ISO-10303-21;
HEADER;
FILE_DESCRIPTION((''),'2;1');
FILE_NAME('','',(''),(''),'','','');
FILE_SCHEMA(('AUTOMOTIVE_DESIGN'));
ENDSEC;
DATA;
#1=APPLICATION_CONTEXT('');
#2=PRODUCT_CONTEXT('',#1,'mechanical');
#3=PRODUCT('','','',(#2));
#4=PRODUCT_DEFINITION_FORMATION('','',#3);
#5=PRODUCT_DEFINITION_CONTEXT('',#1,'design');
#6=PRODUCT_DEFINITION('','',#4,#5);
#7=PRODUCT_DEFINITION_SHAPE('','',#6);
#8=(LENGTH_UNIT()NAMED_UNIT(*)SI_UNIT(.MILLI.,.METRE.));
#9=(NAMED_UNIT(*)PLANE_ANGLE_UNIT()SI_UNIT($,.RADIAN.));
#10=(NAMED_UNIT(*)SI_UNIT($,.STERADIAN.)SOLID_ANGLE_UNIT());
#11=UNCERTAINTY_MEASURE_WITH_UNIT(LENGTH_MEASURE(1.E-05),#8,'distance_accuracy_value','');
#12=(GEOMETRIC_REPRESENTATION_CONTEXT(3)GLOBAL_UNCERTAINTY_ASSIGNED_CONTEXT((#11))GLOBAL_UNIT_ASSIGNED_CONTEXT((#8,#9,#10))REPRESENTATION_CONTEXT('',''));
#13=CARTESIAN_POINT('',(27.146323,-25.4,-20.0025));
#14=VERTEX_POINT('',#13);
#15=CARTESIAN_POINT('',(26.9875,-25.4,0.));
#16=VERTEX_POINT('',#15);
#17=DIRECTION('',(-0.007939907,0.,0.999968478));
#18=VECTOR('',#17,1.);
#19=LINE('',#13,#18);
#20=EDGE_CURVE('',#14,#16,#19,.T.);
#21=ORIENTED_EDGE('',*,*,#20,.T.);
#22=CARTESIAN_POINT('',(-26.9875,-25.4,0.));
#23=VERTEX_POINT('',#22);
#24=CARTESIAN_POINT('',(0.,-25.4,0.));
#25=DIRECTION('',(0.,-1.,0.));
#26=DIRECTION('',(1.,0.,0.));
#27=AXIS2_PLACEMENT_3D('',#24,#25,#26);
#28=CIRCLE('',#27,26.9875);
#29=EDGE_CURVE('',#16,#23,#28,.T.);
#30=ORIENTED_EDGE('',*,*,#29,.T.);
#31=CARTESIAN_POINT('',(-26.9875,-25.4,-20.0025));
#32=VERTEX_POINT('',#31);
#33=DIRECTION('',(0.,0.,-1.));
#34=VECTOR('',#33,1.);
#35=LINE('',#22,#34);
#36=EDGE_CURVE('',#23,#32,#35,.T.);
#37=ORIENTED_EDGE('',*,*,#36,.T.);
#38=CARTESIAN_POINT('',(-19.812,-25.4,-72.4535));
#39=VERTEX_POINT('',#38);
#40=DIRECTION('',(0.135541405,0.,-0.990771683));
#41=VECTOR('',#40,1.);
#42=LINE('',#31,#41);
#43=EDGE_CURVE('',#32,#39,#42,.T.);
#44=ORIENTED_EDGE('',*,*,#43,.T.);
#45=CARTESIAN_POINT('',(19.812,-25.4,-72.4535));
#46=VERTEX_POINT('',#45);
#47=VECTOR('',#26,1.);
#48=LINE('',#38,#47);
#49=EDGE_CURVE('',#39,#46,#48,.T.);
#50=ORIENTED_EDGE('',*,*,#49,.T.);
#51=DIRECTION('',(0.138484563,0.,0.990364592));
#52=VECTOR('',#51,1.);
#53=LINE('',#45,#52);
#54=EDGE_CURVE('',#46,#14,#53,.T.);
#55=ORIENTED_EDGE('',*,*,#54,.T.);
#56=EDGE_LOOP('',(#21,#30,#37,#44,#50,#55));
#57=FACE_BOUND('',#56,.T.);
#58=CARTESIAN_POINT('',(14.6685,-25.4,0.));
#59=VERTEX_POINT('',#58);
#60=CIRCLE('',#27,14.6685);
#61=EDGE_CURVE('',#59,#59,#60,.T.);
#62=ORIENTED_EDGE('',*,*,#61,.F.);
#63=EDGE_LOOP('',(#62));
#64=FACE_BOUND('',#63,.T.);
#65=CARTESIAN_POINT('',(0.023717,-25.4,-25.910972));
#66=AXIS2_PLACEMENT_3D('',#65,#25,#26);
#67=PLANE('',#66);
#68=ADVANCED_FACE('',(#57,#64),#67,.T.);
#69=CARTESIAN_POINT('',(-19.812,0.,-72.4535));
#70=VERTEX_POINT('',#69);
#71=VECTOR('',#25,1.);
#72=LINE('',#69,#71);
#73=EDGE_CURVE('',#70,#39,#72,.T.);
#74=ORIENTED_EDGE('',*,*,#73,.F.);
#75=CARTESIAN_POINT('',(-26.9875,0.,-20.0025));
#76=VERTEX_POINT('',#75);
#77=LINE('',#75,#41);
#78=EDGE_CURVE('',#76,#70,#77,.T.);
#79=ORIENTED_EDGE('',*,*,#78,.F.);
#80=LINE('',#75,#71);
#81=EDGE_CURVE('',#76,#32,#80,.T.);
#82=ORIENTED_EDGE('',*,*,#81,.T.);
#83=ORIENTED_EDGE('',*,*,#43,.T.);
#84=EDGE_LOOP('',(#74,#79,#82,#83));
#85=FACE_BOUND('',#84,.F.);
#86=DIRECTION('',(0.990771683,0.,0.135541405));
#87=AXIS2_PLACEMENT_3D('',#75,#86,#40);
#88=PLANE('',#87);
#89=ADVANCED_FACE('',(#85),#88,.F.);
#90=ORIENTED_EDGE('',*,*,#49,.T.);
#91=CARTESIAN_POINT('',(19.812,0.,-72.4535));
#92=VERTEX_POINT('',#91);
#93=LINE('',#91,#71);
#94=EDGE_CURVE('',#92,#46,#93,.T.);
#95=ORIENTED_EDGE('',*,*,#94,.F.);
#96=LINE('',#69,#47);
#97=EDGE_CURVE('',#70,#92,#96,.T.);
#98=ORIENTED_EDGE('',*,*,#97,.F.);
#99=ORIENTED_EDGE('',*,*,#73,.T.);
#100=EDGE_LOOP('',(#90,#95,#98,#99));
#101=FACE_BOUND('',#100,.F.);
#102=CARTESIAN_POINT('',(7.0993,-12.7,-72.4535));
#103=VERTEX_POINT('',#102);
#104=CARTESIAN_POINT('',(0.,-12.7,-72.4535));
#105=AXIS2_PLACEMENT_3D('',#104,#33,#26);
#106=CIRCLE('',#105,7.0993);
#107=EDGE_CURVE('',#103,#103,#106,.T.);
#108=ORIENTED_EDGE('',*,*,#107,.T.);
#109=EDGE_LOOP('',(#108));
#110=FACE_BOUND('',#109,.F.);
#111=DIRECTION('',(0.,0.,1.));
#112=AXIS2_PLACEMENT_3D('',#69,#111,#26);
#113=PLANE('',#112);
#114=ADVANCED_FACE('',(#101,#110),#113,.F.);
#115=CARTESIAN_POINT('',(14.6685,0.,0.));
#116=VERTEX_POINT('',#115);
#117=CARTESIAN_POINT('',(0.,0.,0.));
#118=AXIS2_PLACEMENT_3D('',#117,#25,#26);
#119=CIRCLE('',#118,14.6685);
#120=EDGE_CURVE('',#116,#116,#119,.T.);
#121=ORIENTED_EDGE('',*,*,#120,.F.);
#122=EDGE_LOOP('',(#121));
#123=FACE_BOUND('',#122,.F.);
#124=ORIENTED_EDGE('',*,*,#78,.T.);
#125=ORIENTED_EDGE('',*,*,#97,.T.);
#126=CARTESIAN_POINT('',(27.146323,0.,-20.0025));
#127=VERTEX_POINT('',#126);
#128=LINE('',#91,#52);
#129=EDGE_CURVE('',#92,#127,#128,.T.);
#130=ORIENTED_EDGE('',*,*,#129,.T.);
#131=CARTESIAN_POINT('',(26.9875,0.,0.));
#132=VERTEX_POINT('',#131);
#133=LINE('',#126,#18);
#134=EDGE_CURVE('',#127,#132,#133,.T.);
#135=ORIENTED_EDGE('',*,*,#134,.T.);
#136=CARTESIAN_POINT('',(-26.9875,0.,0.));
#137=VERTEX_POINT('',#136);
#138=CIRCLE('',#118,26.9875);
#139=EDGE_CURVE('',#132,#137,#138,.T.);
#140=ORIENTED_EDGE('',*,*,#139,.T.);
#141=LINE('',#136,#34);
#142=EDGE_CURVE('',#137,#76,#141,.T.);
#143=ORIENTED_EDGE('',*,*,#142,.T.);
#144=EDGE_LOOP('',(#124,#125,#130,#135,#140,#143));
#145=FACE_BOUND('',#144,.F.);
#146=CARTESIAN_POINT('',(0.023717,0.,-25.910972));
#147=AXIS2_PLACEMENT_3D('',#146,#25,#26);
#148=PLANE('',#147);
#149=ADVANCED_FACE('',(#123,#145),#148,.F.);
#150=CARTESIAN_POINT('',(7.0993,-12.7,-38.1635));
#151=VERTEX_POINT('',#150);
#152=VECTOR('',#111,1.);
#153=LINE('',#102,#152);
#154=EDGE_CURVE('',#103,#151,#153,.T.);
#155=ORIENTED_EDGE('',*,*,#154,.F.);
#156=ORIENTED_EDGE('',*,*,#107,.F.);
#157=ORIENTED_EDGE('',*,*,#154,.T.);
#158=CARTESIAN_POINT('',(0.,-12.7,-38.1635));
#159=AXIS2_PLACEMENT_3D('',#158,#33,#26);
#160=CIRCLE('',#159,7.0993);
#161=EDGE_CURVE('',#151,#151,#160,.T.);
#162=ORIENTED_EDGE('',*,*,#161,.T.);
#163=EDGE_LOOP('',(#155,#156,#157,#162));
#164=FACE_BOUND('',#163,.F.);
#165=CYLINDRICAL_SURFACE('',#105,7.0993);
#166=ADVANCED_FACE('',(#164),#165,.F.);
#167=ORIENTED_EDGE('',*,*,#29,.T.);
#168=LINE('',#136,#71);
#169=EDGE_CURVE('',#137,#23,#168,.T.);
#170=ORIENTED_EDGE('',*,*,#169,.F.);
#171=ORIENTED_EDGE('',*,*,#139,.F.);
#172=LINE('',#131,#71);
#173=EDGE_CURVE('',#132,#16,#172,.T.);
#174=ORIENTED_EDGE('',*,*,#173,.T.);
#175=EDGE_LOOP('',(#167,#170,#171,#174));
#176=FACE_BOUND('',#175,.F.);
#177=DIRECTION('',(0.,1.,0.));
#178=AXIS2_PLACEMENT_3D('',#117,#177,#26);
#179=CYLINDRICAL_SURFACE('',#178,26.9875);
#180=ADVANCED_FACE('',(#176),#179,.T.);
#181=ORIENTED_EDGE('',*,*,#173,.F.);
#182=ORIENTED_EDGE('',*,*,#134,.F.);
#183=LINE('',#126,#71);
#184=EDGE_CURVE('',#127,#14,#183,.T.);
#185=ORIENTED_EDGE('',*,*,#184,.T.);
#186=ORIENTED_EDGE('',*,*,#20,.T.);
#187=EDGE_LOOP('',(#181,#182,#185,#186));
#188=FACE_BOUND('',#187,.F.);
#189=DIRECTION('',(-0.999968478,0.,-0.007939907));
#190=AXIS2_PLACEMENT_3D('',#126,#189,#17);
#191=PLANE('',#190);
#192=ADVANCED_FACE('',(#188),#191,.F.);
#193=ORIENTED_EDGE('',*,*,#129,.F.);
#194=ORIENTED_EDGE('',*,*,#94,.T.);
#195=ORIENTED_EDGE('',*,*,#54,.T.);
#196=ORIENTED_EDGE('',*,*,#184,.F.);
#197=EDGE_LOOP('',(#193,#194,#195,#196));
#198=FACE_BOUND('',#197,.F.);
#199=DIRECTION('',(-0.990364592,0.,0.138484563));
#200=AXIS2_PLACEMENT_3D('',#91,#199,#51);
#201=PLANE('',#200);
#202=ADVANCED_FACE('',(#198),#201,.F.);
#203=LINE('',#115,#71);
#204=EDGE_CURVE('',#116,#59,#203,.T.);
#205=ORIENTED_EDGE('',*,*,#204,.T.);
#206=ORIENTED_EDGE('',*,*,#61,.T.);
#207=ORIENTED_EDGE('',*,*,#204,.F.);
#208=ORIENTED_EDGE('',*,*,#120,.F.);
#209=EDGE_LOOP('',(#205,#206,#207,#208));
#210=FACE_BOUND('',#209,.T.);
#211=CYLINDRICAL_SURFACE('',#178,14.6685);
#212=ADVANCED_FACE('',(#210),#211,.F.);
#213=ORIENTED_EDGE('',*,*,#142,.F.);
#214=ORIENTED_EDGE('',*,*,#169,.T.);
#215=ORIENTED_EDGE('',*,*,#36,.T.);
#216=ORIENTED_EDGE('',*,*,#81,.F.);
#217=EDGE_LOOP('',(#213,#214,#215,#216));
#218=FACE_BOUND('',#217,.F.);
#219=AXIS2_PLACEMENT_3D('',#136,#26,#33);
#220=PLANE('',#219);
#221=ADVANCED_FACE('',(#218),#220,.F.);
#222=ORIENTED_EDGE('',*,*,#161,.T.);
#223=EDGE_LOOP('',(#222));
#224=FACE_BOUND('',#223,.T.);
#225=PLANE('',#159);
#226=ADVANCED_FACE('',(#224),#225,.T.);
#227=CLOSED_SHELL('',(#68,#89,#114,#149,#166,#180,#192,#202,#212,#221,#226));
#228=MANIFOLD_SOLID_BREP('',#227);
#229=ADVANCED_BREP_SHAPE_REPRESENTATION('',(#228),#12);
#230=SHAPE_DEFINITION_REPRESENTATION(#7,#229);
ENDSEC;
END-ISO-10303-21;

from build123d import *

# Parameters (mm, degrees)
F0_R     = 14.6685
F1_DEPTH = 25.4
F2_R     = 7.0993
F3_DEPTH = 34.29


with BuildPart() as f1:
    # F0 (on Front) → F1 (new body)
    with BuildSketch(Plane.XZ):
        with BuildLine():
            Line((-19.812, -72.4535), (0, -72.4535))
            Line((0, -72.4535), (19.812, -72.4535))
            Line((19.812, -72.4535), (27.146323, -20.0025))
            Line((27.146323, -20.0025), (26.9875, 0))
            ThreePointArc((26.9875, 0), (0, 26.9875), (-26.9875, 0))
            Line((-26.9875, 0), (-26.9875, -20.0025))
            Line((-26.9875, -20.0025), (-19.812, -72.4535))
        make_face()
        Circle(F0_R, mode=Mode.SUBTRACT)
    extrude(amount=F1_DEPTH)

    # F2 (on face) → F3 (cut)
    with BuildSketch(Plane(origin=(0, 0, -72.4535), x_dir=(1, 0, 0), z_dir=(0, 0, -1))):
        with Locations((0, 12.7)):
            Circle(F2_R)
    extrude(amount=-F3_DEPTH, mode=Mode.SUBTRACT)


solid = f1.part
